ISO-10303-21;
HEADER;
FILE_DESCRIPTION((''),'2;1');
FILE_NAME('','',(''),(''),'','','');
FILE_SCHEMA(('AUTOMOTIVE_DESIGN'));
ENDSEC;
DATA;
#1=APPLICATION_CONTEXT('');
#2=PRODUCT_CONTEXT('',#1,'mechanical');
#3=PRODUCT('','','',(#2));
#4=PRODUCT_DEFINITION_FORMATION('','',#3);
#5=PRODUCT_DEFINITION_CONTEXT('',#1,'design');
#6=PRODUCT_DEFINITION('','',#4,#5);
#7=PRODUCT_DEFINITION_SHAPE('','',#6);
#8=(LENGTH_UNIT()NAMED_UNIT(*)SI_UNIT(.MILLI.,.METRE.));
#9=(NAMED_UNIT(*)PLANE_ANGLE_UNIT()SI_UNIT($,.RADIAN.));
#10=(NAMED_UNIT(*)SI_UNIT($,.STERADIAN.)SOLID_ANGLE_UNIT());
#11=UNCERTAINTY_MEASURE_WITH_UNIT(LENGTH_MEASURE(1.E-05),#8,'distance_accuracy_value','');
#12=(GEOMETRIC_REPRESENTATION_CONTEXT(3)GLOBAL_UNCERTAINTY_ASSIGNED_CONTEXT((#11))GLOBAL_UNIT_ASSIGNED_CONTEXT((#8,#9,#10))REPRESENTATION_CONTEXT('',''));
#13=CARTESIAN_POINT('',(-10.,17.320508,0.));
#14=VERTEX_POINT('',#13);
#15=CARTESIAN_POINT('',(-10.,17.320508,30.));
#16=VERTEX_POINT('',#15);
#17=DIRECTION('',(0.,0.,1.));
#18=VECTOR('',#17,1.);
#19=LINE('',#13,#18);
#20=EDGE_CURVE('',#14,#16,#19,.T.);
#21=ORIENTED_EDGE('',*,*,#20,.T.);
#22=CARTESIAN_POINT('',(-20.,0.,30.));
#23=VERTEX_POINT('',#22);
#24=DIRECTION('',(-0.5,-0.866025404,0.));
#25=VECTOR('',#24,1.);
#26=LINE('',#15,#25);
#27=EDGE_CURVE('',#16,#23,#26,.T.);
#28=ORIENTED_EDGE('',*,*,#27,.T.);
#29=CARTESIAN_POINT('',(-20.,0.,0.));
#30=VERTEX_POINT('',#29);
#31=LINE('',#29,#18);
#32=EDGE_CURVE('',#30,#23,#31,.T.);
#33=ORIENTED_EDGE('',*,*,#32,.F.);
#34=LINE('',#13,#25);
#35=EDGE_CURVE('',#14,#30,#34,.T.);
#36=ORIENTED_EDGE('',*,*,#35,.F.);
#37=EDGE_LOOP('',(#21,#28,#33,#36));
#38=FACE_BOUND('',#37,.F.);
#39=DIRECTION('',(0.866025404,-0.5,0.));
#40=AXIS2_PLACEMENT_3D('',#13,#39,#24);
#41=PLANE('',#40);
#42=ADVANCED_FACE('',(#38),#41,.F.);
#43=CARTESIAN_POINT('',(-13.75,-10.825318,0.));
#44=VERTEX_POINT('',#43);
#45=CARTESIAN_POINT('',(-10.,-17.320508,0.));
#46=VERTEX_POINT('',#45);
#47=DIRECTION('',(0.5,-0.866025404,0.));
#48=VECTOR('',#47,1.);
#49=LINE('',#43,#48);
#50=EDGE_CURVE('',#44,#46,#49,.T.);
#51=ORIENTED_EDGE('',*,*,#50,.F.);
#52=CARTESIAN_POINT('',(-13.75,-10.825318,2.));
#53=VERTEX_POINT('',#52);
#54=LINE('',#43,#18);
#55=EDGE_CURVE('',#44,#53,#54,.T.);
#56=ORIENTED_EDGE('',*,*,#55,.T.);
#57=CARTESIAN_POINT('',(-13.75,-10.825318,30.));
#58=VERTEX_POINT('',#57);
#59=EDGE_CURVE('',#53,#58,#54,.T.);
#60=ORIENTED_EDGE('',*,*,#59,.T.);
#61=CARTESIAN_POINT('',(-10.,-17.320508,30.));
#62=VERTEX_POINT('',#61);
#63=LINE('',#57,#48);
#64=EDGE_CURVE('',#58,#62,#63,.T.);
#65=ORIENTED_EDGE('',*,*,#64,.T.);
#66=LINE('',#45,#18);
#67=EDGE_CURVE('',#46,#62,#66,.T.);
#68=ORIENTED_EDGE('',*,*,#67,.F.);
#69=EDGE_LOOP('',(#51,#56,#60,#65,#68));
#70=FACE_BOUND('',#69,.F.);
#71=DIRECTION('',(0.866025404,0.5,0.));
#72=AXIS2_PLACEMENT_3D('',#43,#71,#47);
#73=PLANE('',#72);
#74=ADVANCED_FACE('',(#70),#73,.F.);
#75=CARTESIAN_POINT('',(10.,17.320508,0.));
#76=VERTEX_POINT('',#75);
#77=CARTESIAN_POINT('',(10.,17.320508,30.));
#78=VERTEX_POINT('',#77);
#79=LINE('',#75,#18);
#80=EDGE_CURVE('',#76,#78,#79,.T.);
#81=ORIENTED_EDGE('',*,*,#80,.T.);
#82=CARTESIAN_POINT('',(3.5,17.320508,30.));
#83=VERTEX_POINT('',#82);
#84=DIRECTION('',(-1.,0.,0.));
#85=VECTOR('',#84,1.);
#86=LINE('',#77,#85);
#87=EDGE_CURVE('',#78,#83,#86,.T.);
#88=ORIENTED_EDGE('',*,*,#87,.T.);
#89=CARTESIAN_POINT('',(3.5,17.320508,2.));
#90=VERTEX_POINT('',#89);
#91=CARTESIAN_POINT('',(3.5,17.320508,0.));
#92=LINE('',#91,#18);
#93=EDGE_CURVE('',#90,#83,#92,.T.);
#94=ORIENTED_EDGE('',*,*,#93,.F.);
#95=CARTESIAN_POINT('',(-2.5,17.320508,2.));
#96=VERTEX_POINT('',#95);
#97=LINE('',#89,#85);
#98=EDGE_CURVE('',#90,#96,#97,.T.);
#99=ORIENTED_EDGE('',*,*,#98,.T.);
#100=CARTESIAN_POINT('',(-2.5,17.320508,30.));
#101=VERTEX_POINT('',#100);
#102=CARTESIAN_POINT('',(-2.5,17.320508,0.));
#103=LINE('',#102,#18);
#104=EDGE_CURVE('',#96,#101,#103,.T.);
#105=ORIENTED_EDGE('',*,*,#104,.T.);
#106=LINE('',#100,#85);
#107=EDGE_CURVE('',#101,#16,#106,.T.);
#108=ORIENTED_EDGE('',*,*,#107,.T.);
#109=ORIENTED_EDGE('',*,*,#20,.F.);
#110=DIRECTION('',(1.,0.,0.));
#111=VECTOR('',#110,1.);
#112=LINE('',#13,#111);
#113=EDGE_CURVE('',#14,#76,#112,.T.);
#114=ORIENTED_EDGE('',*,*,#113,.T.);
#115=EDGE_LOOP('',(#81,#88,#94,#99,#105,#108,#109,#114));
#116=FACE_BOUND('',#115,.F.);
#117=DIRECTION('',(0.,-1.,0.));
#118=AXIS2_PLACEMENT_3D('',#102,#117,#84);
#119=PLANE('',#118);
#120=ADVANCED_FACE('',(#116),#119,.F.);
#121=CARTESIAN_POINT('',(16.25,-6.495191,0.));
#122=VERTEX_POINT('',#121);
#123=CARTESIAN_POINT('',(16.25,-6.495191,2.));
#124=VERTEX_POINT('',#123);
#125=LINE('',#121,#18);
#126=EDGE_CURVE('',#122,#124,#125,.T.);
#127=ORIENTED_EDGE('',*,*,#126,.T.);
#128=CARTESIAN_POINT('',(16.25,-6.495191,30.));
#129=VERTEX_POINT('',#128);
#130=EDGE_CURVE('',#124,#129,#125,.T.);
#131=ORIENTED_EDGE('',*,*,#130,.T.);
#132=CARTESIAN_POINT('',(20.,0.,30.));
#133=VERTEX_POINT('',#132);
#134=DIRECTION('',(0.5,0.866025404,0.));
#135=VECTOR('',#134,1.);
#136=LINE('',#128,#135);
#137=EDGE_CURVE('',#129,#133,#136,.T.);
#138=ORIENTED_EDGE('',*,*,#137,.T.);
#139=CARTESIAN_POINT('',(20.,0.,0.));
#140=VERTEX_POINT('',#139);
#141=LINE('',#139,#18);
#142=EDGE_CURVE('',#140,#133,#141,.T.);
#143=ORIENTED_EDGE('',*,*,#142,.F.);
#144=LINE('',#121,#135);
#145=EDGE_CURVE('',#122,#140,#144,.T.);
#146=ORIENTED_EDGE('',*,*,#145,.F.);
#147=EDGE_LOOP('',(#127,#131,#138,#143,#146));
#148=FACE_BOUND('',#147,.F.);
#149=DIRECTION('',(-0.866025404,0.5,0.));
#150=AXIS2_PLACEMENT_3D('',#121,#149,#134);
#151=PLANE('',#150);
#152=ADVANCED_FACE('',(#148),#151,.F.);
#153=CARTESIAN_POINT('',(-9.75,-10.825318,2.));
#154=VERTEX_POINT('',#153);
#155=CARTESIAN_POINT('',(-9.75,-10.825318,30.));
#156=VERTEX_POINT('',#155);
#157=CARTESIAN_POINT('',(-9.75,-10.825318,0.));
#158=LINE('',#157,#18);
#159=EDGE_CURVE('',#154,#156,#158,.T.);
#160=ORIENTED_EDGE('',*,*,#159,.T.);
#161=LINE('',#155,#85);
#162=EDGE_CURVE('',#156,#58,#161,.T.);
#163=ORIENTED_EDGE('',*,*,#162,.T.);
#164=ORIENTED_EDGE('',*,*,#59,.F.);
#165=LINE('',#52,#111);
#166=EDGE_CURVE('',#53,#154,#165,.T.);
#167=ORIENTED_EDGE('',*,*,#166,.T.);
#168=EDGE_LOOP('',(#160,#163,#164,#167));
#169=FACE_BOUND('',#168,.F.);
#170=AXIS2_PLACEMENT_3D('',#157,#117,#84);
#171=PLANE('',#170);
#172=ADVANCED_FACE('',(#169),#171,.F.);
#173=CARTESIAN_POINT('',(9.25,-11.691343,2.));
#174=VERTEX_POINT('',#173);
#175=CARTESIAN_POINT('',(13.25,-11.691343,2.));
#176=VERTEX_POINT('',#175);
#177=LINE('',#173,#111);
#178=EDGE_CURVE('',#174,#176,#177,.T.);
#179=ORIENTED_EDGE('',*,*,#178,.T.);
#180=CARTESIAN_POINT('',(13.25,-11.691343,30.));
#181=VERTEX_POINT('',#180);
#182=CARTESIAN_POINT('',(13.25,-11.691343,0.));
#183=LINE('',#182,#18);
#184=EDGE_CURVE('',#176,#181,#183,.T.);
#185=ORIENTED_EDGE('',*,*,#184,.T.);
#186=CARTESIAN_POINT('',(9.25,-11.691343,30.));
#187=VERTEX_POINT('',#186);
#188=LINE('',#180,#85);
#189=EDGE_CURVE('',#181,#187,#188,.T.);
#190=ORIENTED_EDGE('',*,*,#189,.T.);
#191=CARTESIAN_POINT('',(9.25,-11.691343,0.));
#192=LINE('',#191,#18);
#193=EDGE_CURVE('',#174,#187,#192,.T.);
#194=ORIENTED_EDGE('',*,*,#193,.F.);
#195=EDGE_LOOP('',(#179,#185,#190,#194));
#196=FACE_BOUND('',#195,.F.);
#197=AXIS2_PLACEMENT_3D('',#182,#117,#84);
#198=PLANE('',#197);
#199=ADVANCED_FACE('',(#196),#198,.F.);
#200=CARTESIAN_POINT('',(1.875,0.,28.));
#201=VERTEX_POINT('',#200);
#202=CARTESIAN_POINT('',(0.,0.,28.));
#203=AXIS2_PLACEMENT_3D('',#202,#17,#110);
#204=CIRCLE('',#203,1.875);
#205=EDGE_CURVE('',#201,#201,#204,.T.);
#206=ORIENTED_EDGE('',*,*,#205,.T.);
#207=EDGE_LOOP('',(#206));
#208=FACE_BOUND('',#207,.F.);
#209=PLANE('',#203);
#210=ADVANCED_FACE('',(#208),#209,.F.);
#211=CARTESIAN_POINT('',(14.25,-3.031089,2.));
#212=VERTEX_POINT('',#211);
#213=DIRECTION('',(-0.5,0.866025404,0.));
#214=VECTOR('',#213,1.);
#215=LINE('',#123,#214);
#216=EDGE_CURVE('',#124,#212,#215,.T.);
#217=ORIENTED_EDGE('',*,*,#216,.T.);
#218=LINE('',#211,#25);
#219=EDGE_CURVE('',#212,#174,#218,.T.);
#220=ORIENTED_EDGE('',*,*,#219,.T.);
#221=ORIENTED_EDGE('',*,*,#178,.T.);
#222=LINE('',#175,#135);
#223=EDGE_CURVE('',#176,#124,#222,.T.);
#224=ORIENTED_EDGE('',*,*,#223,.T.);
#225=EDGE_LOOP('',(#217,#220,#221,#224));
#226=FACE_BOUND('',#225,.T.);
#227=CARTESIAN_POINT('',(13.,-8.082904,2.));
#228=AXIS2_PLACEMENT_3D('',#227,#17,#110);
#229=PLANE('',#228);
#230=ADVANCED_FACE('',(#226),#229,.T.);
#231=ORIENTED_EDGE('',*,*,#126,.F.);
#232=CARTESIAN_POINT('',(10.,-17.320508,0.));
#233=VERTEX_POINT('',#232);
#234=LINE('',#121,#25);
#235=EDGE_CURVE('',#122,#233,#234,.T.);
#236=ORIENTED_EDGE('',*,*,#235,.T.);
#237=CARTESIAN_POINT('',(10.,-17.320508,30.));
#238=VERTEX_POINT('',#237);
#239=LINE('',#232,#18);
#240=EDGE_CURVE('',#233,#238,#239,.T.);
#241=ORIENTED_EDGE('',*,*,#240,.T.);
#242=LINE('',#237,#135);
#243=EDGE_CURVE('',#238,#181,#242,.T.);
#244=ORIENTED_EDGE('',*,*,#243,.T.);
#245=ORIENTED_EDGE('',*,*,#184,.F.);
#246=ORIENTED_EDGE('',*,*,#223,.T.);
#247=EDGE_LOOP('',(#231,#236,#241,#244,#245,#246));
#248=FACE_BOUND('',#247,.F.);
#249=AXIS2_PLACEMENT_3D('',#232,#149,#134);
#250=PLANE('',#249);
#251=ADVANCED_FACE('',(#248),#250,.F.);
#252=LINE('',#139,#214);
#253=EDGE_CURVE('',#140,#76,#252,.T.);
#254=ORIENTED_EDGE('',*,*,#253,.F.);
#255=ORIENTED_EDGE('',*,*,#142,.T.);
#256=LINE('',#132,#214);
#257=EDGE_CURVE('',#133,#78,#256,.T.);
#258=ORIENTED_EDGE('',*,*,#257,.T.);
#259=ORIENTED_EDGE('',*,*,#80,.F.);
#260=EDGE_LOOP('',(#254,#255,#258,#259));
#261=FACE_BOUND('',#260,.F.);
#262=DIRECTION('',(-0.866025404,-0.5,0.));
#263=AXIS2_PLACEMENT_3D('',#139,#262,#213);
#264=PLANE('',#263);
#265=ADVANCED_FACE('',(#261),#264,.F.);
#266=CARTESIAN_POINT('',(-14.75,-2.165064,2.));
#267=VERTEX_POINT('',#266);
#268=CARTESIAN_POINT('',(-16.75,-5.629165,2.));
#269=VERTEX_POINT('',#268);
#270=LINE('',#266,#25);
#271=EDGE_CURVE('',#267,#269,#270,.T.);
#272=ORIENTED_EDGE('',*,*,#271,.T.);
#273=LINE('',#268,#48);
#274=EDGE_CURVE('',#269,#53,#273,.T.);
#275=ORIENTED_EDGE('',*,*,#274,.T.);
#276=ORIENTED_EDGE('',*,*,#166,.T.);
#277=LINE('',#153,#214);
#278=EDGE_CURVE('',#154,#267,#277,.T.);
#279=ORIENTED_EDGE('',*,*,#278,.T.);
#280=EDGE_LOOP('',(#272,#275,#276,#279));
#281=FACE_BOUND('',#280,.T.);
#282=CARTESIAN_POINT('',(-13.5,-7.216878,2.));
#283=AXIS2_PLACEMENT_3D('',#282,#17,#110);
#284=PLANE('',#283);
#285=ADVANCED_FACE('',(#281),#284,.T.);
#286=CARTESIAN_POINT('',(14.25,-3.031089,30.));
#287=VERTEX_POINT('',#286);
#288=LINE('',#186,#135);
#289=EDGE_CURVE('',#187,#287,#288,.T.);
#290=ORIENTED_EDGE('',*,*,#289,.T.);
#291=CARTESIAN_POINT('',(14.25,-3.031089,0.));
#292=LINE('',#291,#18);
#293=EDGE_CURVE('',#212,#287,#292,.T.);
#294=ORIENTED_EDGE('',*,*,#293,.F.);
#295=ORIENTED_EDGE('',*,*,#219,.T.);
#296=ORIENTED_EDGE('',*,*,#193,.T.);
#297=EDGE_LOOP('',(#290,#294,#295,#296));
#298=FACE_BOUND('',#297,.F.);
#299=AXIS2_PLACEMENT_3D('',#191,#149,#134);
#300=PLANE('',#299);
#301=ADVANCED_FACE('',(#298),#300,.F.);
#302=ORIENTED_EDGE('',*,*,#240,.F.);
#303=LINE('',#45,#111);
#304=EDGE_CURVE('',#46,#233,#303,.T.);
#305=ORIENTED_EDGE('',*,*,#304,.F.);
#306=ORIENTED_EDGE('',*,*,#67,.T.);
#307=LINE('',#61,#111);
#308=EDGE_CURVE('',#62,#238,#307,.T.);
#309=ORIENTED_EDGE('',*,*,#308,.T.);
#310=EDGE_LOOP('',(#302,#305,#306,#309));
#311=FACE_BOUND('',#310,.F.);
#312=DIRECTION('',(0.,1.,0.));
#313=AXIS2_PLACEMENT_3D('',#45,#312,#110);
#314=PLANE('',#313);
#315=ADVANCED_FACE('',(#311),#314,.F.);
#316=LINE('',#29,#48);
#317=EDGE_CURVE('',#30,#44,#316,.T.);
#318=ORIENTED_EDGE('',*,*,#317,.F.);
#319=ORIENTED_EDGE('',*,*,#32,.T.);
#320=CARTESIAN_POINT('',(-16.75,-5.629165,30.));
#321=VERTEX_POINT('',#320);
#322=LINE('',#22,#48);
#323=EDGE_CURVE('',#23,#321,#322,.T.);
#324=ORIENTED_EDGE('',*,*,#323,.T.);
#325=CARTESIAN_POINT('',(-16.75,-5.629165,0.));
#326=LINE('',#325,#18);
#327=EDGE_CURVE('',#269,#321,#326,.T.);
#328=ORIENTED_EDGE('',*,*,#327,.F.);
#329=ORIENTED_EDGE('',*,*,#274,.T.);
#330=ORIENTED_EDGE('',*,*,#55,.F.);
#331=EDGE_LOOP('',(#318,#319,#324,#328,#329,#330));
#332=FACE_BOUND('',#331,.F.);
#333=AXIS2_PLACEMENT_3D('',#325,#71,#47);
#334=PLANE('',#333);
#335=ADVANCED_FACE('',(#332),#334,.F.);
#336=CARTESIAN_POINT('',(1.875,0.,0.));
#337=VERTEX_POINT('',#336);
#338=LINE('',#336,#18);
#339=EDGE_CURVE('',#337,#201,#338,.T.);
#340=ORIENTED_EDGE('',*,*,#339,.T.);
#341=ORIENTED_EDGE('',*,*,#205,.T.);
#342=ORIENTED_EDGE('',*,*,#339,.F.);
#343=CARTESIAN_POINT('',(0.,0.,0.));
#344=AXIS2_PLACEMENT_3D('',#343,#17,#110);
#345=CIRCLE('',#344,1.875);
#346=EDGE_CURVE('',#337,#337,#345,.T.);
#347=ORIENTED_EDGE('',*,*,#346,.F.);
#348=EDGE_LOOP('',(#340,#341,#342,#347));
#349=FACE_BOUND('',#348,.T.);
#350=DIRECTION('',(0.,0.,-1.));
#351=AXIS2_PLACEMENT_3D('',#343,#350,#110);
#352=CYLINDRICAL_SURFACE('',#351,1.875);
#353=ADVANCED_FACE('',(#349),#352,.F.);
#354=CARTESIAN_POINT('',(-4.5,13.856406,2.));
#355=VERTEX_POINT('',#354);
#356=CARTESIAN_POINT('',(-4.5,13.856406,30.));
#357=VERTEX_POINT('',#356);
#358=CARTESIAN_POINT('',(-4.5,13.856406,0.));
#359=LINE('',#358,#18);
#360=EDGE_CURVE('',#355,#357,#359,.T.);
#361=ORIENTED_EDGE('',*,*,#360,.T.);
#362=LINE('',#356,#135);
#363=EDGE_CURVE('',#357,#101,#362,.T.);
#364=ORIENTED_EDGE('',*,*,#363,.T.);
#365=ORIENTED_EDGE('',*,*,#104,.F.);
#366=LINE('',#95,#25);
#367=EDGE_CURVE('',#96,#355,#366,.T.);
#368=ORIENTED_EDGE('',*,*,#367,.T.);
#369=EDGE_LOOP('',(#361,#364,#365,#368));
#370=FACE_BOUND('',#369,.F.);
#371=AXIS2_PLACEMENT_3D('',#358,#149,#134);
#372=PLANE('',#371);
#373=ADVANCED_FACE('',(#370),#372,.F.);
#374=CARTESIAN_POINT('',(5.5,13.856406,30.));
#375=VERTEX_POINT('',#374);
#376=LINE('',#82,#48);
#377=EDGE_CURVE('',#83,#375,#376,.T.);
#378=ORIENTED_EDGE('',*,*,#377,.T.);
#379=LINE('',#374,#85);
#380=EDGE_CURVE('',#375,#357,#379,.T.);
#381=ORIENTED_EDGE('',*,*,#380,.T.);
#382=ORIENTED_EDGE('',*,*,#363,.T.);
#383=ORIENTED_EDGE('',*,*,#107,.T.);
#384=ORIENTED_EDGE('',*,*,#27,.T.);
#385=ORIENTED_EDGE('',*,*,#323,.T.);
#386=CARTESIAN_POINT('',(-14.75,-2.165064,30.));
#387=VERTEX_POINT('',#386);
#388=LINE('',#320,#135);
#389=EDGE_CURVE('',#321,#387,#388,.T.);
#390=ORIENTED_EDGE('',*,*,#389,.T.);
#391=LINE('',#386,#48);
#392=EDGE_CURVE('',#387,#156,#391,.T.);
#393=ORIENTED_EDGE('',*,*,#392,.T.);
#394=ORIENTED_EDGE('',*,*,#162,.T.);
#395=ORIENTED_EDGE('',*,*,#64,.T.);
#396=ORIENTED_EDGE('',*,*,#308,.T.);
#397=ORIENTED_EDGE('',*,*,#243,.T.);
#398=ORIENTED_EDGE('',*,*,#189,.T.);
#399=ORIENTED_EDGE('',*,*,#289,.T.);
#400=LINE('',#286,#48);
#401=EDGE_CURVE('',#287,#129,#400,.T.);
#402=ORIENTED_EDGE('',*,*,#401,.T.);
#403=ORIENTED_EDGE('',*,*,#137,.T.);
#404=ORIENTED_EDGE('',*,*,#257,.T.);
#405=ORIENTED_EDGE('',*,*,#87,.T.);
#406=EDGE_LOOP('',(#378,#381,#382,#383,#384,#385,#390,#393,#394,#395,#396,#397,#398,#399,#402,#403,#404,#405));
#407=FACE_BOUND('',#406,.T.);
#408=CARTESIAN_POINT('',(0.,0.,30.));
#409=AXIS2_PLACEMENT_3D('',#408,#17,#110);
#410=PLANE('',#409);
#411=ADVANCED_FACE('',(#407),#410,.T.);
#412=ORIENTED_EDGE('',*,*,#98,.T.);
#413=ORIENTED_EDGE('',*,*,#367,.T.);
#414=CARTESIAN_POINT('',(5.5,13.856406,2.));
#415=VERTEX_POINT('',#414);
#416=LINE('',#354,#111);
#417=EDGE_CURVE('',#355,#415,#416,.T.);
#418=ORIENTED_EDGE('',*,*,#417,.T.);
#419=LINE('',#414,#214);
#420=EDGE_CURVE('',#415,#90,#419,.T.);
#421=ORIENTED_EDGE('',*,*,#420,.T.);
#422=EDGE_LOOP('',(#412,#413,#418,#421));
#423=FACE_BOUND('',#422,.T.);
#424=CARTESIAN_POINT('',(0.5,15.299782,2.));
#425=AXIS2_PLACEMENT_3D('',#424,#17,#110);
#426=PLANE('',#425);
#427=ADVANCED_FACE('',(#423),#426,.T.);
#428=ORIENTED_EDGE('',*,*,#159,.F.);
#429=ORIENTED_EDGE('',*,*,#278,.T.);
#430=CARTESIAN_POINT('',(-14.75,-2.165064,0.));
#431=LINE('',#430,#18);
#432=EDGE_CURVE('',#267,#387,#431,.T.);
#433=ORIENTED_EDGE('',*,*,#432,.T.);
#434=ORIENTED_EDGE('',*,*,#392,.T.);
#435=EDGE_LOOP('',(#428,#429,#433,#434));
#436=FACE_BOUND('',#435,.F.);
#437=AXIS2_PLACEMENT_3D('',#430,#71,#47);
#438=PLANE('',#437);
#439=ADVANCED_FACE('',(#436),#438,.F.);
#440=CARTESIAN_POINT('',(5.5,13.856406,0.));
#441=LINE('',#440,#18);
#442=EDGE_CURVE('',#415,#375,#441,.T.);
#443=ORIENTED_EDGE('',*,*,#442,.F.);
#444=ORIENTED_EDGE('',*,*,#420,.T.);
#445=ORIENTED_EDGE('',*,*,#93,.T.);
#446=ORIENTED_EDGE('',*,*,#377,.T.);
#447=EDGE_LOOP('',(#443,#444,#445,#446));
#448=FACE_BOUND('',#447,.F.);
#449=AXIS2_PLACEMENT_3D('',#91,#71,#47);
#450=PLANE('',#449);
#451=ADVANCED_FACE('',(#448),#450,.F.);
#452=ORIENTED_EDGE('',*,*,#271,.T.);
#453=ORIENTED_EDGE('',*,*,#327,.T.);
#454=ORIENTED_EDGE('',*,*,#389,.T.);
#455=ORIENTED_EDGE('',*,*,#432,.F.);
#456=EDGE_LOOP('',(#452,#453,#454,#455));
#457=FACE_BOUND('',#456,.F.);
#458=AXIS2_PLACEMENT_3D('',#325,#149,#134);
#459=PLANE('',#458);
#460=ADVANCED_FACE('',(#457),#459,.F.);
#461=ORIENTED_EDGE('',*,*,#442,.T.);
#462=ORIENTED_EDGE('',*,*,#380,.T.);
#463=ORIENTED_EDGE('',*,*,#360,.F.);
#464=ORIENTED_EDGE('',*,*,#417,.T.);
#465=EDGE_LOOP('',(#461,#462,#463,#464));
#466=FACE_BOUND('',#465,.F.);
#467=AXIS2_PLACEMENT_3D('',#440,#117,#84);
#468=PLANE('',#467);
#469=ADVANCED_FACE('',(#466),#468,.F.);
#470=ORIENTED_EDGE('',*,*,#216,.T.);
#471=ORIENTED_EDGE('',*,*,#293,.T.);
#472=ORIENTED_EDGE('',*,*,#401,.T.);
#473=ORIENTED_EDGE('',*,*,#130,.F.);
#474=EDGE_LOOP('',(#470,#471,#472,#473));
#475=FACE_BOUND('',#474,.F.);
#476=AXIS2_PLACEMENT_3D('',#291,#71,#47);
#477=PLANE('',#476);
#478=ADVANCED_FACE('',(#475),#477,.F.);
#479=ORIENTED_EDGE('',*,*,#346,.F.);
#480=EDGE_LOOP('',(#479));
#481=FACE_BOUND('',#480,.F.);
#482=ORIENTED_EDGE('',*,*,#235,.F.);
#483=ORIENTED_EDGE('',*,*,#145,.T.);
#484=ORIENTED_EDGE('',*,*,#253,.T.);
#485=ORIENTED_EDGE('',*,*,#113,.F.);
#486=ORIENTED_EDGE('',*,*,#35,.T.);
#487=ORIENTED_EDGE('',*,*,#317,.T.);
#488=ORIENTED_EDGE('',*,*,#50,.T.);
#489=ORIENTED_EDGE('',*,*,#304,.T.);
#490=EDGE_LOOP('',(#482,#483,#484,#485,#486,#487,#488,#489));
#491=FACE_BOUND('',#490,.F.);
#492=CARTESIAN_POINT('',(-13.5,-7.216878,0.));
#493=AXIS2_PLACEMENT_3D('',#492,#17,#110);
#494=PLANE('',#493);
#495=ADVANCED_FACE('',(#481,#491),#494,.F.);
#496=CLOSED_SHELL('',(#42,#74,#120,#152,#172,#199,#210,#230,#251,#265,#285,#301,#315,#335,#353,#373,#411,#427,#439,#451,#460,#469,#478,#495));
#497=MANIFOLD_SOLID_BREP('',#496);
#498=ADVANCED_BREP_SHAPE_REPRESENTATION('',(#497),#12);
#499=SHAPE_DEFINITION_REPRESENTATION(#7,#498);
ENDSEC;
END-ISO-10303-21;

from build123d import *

# Parameters (mm, degrees)
F0_R     = 1.875
F1_DEPTH = 30
F2_DEPTH = 2
F3_START = 28
F3_DEPTH = 2


with BuildPart() as f1:
    # F0 (on Top) → F1 (new body)
    with BuildSketch(Plane.XY):
        Polygon((-10, -17.3205080757), (10, -17.3205080757), (13.25, -11.6913429511), (9.25, -11.6913429511), (14.25, -3.0310889132), (16.25, -6.4951905284), (20, 0), (10, 17.3205080757), (3.5, 17.3205080757), (5.5, 13.8564064606), (-4.5, 13.8564064606), (-2.5, 17.3205080757), (-10, 17.3205080757), (-20, 0), (-16.75, -5.6291651246), (-14.75, -2.1650635095), (-9.75, -10.8253175473), (-13.75, -10.8253175473), align=None)
        Circle(F0_R, mode=Mode.SUBTRACT)
    extrude(amount=F1_DEPTH)

    # F0 (on Top) → F2 (join)
    with BuildSketch(Plane.XY):
        Polygon((-16.75, -5.6291651246), (-13.75, -10.8253175473), (-9.75, -10.8253175473), (-14.75, -2.1650635095), align=None)
        Polygon((9.25, -11.6913429511), (13.25, -11.6913429511), (16.25, -6.4951905284), (14.25, -3.0310889132), align=None)
        Polygon((5.5, 13.8564064606), (3.5, 17.3205080757), (-2.5, 17.3205080757), (-4.5, 13.8564064606), align=None)
    extrude(amount=F2_DEPTH)

    # F0 (on Top) → F3 (join)
    with BuildSketch(Plane.XY.offset(F3_START)):
        Circle(F0_R)
    extrude(amount=F3_DEPTH)


solid = f1.part
